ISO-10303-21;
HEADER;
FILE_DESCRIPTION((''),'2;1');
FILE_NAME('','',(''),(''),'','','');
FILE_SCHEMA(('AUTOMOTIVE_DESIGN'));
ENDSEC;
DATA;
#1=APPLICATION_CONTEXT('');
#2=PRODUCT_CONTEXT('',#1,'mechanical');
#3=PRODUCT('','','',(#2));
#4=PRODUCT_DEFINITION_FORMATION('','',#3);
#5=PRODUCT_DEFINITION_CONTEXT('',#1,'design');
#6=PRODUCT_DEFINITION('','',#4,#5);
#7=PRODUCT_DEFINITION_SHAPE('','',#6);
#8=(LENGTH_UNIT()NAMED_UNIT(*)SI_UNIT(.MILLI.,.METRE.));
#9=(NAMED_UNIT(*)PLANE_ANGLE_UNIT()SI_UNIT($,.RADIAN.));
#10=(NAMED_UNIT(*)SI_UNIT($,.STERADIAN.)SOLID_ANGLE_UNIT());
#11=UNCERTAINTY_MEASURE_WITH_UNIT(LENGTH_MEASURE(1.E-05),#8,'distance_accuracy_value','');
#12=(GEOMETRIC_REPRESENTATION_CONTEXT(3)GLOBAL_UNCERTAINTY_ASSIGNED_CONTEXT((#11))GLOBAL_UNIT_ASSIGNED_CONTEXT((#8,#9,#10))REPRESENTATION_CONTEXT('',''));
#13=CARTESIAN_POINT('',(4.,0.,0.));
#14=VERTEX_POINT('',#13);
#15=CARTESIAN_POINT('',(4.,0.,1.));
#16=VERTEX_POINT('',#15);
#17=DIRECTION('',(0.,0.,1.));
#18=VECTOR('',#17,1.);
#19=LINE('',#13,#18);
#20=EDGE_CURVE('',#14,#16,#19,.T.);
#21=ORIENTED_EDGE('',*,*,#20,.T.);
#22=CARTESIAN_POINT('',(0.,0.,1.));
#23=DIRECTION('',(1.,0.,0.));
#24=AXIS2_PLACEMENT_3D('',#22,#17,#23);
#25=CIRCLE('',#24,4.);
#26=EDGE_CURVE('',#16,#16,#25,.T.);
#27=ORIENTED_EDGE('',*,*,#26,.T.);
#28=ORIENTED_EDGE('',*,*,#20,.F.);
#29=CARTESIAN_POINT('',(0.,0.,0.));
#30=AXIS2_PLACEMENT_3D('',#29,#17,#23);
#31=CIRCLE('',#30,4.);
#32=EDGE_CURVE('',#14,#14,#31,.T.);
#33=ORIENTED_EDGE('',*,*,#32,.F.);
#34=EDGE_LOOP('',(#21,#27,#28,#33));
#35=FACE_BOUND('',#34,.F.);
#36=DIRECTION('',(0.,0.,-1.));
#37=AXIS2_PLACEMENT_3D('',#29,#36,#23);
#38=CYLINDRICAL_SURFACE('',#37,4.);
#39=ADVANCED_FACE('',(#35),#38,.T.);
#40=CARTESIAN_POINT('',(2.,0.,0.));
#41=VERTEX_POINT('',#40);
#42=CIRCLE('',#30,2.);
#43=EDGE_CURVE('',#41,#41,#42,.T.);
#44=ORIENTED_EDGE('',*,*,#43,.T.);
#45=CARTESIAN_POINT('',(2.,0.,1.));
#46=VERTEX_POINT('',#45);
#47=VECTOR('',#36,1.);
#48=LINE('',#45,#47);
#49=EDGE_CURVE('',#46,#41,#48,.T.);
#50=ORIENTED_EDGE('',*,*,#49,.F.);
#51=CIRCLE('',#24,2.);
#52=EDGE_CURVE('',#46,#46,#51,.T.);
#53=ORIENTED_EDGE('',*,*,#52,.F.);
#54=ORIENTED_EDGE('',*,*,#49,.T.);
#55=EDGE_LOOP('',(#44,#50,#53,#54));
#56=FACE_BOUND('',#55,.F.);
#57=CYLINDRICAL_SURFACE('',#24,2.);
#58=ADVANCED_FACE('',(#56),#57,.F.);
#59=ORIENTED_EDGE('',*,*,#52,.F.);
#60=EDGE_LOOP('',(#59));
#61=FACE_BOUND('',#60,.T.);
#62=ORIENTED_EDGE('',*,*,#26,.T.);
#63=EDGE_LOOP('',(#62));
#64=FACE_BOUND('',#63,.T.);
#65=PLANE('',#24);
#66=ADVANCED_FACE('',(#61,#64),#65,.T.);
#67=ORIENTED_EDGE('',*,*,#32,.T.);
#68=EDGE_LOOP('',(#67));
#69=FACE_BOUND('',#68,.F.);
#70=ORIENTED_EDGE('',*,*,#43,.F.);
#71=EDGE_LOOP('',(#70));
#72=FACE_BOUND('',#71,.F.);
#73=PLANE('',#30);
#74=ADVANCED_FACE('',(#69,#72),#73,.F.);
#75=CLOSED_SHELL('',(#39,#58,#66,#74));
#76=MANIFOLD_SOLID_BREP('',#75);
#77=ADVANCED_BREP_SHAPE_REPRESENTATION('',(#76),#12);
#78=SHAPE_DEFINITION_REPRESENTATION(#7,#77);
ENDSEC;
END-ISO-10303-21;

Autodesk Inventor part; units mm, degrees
ref_plane "YZ Plane" through (0, 0, 0) normal (1, 0, 0) x (0, 1, 0)
ref_plane "XZ Plane" through (0, 0, 0) normal (0, 1, 0) x (-1, 0, 0)
ref_plane "XY Plane" through (0, 0, 0) normal (0, 0, 1) x (1, 0, 0)
sketch "スケッチ1" plane through (0, 0, 0) normal (0, 0, 1) x (1, 0, 0)
  circle A0 centre (0, 0) radius 4
  dimension "d0" = 8
extrude "押し出し1" add sketch "スケッチ1" along normal blind 1
sketch "スケッチ2" plane through (0, 0, 1) normal (0, 0, 1) x (1, 0, 0)
  circle A0 centre (0, 0) radius 2
  dimension "d3" = 4
extrude "押し出し2" cut sketch "スケッチ2" against normal through all
properties part number "3SR10_スペーサ"
